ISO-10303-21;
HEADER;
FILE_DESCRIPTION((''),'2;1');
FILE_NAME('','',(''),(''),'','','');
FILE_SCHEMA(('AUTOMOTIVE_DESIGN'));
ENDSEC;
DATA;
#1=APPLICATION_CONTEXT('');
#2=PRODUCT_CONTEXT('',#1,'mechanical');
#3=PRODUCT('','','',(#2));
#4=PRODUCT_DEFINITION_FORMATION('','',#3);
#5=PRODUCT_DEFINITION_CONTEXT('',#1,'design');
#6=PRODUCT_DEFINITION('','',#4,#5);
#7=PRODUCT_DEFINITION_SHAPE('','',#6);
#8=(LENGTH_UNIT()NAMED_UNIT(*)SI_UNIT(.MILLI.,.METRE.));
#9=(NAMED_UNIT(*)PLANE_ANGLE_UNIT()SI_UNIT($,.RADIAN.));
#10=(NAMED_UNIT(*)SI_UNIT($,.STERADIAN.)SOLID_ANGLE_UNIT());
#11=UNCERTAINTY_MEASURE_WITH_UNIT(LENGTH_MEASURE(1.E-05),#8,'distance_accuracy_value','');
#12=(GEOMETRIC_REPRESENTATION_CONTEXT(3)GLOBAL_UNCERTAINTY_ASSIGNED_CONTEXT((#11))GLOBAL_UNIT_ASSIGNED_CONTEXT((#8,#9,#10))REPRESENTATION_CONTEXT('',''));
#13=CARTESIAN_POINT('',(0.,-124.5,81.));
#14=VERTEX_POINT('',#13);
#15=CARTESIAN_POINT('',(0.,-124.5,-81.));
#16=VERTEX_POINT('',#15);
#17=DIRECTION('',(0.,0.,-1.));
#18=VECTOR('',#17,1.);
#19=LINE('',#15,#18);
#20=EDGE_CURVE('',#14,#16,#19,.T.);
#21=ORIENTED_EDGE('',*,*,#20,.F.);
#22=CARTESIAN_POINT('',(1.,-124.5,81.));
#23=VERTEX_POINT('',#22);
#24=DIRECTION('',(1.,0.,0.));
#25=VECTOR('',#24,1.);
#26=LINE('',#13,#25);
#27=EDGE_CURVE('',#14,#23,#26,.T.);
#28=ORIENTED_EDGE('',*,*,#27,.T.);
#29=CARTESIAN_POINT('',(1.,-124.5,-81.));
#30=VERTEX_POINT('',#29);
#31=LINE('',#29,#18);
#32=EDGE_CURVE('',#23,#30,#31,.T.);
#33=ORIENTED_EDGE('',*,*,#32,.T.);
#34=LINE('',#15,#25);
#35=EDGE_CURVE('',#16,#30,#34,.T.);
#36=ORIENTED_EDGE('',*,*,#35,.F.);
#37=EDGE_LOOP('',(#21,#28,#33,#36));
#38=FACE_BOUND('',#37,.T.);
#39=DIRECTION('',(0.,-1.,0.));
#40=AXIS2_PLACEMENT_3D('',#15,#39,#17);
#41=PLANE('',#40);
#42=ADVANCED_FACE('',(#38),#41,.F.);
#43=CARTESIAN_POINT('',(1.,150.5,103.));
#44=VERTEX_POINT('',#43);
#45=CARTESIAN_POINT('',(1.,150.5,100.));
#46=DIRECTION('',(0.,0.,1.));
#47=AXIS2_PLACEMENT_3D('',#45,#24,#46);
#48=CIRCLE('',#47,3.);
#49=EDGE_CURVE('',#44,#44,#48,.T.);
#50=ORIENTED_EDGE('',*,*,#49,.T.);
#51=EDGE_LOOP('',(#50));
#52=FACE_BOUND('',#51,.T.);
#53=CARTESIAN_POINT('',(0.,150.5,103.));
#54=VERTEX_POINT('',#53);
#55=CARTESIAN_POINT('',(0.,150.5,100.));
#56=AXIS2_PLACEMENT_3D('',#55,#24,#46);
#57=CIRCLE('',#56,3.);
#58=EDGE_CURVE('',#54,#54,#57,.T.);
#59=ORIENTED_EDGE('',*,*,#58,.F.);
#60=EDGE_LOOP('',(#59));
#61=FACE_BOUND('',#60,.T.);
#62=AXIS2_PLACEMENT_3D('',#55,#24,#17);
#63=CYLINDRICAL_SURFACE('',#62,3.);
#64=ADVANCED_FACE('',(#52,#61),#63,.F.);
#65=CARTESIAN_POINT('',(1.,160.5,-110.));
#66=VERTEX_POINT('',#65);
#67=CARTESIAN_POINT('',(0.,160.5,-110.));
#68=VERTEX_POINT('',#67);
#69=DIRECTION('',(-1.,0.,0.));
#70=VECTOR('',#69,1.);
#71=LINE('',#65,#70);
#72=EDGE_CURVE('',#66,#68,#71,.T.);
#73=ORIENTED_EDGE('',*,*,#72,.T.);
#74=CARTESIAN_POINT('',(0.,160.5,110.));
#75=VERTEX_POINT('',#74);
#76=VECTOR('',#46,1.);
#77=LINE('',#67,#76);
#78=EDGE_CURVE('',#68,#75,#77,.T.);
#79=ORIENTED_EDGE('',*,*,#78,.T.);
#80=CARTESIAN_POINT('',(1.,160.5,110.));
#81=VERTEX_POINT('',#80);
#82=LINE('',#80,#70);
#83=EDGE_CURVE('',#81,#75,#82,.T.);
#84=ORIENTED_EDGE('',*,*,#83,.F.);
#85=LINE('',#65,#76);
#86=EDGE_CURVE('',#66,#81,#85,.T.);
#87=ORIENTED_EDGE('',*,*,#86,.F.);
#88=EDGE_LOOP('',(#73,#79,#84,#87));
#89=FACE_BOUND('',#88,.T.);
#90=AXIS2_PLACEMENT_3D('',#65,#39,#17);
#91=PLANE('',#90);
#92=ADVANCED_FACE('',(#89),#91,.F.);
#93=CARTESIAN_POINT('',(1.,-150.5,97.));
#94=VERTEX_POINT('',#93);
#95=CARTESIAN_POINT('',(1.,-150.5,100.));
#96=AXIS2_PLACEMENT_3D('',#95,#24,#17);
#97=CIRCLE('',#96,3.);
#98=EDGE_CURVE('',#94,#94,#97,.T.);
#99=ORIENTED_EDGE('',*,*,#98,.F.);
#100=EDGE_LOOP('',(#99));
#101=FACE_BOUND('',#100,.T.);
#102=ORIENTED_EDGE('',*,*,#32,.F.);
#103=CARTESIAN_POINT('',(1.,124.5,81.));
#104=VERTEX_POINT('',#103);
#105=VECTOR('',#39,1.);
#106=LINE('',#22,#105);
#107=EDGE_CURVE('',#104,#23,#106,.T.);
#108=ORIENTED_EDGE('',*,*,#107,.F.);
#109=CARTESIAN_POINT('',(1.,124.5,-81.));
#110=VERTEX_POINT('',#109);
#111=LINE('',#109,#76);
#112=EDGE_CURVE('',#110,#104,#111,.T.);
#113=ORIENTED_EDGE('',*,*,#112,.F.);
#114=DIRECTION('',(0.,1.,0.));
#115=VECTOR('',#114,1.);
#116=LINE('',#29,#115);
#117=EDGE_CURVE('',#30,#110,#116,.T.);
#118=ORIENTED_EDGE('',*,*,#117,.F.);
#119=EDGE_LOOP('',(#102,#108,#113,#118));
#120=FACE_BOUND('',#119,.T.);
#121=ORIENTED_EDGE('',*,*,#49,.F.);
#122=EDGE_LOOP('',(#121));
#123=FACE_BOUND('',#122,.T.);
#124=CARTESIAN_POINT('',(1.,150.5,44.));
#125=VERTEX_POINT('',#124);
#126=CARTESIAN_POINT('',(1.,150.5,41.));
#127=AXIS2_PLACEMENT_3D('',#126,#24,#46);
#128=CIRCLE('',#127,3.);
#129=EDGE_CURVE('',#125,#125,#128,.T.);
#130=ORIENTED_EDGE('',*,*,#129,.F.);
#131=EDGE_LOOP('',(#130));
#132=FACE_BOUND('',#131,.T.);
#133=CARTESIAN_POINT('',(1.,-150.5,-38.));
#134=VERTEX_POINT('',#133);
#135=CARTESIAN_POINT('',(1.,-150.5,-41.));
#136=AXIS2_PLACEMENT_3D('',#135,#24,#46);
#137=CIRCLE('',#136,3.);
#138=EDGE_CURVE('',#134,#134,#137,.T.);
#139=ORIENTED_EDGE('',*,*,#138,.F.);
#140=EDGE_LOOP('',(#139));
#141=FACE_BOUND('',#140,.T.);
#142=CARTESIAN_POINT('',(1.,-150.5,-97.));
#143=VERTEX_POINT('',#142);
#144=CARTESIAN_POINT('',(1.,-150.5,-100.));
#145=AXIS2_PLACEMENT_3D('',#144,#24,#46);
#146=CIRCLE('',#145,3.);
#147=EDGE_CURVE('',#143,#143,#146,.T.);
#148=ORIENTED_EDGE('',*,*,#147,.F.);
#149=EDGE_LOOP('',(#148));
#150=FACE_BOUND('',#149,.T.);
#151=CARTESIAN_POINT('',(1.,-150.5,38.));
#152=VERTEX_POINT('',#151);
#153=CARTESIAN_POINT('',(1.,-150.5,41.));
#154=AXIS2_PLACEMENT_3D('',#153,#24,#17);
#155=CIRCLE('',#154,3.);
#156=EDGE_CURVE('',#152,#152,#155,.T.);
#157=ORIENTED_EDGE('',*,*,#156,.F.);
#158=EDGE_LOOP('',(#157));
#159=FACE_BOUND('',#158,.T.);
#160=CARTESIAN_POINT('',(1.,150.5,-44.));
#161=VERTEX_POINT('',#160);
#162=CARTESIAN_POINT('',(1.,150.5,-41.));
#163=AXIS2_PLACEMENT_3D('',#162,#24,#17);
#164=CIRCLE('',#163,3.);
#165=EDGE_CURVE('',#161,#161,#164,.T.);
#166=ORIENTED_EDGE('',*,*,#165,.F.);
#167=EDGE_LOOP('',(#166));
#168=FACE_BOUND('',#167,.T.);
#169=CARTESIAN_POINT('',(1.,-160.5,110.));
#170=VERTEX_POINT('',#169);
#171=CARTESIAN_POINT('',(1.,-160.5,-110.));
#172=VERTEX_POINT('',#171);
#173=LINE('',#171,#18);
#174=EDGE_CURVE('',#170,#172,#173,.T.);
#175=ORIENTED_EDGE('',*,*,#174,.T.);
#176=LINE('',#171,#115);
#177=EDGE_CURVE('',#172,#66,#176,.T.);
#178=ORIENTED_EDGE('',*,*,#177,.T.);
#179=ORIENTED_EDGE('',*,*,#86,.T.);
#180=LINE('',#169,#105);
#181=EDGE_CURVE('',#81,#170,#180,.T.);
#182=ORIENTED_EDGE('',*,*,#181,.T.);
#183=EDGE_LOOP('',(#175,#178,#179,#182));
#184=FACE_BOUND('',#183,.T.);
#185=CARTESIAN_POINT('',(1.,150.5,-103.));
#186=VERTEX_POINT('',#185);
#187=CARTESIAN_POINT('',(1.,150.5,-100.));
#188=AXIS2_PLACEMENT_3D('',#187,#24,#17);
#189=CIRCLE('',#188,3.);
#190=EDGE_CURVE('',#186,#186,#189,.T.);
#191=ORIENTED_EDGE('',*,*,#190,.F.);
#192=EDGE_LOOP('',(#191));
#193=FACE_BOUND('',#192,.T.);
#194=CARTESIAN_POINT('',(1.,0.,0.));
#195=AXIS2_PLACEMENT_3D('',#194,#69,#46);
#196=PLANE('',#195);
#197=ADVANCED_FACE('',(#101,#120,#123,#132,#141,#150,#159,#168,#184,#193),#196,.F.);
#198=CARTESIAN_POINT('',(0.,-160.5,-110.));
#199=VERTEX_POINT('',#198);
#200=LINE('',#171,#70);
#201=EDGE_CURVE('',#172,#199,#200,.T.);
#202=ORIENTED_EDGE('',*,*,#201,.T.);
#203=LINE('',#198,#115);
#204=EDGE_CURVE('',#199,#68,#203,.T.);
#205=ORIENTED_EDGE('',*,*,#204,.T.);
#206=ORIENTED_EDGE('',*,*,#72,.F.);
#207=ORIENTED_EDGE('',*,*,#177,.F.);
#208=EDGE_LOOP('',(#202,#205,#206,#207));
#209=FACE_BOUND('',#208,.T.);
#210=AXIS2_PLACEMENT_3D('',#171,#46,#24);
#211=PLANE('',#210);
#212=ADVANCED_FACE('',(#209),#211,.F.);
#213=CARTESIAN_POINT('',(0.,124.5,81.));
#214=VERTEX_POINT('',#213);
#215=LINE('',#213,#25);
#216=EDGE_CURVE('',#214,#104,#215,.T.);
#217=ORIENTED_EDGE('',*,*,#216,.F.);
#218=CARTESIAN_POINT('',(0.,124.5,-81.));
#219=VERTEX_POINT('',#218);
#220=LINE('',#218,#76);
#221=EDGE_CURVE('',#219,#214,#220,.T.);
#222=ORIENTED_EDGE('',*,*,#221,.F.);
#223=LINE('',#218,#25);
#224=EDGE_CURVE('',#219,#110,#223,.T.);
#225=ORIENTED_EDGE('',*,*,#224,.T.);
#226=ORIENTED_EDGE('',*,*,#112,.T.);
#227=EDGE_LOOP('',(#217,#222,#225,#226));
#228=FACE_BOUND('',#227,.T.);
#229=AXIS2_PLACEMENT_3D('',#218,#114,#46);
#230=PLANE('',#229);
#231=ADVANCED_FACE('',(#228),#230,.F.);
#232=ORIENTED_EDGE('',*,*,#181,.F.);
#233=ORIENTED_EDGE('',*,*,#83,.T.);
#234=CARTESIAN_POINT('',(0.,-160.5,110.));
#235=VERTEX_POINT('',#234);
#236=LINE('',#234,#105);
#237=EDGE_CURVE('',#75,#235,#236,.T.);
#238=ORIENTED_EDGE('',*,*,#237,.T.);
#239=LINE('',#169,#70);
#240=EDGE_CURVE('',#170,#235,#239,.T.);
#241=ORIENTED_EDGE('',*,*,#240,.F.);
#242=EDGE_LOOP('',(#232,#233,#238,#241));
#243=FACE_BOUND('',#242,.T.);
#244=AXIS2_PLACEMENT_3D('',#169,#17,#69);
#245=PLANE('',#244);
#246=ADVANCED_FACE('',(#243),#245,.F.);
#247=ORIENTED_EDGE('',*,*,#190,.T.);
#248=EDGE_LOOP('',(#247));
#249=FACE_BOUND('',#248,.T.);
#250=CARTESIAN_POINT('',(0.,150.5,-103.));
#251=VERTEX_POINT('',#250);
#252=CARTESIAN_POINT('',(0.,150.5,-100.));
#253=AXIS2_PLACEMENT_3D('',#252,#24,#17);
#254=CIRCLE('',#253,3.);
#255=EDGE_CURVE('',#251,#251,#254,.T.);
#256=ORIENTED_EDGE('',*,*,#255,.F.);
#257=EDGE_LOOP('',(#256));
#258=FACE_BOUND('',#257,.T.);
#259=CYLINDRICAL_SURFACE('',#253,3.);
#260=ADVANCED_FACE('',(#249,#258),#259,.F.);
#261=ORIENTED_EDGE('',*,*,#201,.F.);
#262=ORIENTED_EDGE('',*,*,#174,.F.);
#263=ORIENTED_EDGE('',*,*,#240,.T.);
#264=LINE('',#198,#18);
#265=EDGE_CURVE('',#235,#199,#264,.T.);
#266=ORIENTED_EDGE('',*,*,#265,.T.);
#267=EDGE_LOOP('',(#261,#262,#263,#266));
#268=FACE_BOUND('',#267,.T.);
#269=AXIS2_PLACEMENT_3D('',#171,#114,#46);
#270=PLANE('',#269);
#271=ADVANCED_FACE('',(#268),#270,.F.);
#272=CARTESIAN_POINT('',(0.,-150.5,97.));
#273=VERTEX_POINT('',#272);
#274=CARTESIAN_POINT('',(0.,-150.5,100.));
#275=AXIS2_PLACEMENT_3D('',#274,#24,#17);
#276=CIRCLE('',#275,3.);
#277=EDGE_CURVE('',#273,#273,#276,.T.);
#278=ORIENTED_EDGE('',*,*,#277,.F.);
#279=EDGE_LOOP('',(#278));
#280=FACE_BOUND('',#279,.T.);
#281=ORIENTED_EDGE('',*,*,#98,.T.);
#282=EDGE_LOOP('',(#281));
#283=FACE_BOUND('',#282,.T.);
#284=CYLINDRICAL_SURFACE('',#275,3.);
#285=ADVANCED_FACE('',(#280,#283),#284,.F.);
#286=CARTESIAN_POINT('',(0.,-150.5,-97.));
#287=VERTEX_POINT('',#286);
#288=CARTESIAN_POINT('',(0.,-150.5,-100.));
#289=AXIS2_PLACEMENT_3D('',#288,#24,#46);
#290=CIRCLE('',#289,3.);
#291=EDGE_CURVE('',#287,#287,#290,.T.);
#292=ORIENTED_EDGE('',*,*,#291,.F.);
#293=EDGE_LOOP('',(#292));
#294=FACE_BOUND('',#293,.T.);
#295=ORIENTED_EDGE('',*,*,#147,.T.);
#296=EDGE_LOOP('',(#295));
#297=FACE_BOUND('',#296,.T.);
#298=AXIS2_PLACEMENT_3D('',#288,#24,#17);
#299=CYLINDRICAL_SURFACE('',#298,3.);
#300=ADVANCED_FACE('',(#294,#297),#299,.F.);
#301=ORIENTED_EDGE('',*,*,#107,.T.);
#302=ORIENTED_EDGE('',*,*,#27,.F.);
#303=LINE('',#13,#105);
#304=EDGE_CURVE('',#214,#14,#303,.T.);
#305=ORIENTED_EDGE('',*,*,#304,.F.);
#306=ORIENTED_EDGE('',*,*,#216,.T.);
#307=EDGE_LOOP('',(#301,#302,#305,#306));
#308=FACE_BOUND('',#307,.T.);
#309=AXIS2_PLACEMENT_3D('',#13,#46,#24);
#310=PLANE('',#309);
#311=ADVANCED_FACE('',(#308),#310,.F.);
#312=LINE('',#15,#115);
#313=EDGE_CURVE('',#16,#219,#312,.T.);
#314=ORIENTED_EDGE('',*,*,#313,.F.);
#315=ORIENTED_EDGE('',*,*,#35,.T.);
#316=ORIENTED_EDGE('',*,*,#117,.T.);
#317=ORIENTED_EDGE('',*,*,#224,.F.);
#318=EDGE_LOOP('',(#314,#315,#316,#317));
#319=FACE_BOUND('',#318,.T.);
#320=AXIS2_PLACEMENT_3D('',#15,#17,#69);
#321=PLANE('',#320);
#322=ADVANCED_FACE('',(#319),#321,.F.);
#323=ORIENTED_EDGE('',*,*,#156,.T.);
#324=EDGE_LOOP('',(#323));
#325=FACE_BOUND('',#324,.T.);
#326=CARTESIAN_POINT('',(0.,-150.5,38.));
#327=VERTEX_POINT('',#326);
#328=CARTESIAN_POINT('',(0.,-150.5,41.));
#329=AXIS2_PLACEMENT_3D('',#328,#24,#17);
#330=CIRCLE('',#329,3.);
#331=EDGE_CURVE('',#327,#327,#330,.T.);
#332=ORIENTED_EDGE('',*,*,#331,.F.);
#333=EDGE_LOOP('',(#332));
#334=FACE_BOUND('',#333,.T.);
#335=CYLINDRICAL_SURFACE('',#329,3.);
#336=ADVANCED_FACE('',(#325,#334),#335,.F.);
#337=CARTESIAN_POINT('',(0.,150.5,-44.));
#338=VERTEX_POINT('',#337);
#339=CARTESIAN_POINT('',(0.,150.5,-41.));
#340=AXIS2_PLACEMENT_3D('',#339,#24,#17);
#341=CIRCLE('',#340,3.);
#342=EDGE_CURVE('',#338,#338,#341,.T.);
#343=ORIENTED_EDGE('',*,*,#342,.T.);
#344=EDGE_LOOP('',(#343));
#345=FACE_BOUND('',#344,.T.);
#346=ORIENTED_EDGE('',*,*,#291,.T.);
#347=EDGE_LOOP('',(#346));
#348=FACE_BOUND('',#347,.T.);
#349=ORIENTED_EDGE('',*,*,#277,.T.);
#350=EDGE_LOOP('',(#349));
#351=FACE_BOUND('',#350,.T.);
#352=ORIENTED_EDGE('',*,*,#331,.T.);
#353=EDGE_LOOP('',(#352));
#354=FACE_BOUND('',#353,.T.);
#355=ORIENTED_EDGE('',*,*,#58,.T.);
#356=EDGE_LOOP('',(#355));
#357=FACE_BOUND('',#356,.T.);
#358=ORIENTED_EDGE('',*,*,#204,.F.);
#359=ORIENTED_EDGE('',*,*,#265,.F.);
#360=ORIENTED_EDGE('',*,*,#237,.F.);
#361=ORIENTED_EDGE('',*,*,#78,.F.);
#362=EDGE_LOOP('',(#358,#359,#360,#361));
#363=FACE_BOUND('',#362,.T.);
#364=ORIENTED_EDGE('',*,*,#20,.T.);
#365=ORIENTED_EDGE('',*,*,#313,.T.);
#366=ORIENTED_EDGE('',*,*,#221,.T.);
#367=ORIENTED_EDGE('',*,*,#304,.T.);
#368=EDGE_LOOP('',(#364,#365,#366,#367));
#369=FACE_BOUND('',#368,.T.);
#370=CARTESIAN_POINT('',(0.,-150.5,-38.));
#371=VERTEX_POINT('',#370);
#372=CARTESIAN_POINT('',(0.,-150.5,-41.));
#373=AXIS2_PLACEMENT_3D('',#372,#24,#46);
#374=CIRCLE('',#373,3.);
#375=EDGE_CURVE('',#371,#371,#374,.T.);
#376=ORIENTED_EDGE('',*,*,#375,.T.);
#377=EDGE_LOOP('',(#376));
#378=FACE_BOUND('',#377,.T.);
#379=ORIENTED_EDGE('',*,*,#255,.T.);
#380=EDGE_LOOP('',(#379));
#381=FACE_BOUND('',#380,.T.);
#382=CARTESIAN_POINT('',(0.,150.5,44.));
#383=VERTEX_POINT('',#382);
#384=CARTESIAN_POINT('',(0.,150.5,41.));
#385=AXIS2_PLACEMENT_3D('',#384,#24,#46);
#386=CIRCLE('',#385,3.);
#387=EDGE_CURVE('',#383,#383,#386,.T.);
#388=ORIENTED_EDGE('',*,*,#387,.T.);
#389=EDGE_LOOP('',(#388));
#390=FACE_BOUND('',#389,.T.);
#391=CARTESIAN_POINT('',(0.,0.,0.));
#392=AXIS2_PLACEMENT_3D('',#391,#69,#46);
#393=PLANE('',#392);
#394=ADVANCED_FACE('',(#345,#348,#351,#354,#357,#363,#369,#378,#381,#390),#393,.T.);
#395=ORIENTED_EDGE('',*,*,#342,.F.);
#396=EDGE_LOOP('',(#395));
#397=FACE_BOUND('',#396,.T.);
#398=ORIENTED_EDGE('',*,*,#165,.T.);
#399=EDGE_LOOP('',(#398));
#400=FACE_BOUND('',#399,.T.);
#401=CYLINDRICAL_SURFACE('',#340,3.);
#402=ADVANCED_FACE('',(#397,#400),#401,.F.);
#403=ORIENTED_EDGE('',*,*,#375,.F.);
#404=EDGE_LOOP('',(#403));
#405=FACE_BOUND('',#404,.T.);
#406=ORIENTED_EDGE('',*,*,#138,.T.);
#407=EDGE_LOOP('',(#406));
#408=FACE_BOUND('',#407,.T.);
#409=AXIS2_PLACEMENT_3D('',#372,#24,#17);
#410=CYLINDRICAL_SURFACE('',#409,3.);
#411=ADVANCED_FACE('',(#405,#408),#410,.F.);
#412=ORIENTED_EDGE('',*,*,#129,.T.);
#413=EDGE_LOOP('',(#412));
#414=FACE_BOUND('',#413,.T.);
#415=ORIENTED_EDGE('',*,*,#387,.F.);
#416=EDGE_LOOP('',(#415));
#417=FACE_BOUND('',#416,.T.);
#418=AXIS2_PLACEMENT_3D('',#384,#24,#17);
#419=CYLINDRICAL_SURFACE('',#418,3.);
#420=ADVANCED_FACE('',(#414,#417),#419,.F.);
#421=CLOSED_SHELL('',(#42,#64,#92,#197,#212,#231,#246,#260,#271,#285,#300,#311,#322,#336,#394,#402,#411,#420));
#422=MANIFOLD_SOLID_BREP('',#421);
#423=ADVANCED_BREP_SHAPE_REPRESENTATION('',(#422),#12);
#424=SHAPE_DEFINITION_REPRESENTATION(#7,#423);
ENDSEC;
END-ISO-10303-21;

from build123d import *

# Parameters (mm, degrees)
SKETCH1_W           = 321
SKETCH1_H           = 220
BOSS_EXTRUDE1_DEPTH = 1
SKETCH2_R           = 3
CUT_EXTRUDE1_DEPTH  = 195.579675198
SKETCH3_W           = 249
SKETCH3_H           = 162
CUT_EXTRUDE2_DEPTH  = 195.579675198
SKETCH4_R           = 3
CUT_EXTRUDE3_DEPTH  = 195.579675198


with BuildPart() as part:
    # Sketch1 → Boss-Extrude1 (new body)
    with BuildSketch(Plane.YZ):
        Rectangle(SKETCH1_W, SKETCH1_H)
    extrude(amount=BOSS_EXTRUDE1_DEPTH)

    # Sketch2 → Cut-Extrude1 (cut, through all)
    with BuildSketch(Plane.YZ.offset(1)):
        with Locations(Location((-150.5, 100, 0), (0, 0, 270))):
            Circle(SKETCH2_R)
        with Locations(Location((150.5, 100, 0), (0, 0, 90))):
            Circle(SKETCH2_R)
        with Locations(Location((-150.5, -100, 0), (0, 0, 90))):
            Circle(SKETCH2_R)
        with Locations(Location((150.5, -100, 0), (0, 0, 270))):
            Circle(SKETCH2_R)
    extrude(amount=-CUT_EXTRUDE1_DEPTH, mode=Mode.SUBTRACT)

    # Sketch3 → Cut-Extrude2 (cut, through all)
    with BuildSketch(Plane.YZ.offset(1)):
        Rectangle(SKETCH3_W, SKETCH3_H)
    extrude(amount=-CUT_EXTRUDE2_DEPTH, mode=Mode.SUBTRACT)

    # Sketch4 → Cut-Extrude3 (cut, through all)
    with BuildSketch(Plane.YZ.offset(1)):
        with Locations(Location((-150.5, 41, 0), (0, 0, 270))):
            Circle(SKETCH4_R)
        with Locations(Location((150.5, 41, 0), (0, 0, 90))):
            Circle(SKETCH4_R)
        with Locations(Location((-150.5, -41, 0), (0, 0, 90))):
            Circle(SKETCH4_R)
        with Locations(Location((150.5, -41, 0), (0, 0, 270))):
            Circle(SKETCH4_R)
    extrude(amount=-CUT_EXTRUDE3_DEPTH, mode=Mode.SUBTRACT)


solid = part.part
